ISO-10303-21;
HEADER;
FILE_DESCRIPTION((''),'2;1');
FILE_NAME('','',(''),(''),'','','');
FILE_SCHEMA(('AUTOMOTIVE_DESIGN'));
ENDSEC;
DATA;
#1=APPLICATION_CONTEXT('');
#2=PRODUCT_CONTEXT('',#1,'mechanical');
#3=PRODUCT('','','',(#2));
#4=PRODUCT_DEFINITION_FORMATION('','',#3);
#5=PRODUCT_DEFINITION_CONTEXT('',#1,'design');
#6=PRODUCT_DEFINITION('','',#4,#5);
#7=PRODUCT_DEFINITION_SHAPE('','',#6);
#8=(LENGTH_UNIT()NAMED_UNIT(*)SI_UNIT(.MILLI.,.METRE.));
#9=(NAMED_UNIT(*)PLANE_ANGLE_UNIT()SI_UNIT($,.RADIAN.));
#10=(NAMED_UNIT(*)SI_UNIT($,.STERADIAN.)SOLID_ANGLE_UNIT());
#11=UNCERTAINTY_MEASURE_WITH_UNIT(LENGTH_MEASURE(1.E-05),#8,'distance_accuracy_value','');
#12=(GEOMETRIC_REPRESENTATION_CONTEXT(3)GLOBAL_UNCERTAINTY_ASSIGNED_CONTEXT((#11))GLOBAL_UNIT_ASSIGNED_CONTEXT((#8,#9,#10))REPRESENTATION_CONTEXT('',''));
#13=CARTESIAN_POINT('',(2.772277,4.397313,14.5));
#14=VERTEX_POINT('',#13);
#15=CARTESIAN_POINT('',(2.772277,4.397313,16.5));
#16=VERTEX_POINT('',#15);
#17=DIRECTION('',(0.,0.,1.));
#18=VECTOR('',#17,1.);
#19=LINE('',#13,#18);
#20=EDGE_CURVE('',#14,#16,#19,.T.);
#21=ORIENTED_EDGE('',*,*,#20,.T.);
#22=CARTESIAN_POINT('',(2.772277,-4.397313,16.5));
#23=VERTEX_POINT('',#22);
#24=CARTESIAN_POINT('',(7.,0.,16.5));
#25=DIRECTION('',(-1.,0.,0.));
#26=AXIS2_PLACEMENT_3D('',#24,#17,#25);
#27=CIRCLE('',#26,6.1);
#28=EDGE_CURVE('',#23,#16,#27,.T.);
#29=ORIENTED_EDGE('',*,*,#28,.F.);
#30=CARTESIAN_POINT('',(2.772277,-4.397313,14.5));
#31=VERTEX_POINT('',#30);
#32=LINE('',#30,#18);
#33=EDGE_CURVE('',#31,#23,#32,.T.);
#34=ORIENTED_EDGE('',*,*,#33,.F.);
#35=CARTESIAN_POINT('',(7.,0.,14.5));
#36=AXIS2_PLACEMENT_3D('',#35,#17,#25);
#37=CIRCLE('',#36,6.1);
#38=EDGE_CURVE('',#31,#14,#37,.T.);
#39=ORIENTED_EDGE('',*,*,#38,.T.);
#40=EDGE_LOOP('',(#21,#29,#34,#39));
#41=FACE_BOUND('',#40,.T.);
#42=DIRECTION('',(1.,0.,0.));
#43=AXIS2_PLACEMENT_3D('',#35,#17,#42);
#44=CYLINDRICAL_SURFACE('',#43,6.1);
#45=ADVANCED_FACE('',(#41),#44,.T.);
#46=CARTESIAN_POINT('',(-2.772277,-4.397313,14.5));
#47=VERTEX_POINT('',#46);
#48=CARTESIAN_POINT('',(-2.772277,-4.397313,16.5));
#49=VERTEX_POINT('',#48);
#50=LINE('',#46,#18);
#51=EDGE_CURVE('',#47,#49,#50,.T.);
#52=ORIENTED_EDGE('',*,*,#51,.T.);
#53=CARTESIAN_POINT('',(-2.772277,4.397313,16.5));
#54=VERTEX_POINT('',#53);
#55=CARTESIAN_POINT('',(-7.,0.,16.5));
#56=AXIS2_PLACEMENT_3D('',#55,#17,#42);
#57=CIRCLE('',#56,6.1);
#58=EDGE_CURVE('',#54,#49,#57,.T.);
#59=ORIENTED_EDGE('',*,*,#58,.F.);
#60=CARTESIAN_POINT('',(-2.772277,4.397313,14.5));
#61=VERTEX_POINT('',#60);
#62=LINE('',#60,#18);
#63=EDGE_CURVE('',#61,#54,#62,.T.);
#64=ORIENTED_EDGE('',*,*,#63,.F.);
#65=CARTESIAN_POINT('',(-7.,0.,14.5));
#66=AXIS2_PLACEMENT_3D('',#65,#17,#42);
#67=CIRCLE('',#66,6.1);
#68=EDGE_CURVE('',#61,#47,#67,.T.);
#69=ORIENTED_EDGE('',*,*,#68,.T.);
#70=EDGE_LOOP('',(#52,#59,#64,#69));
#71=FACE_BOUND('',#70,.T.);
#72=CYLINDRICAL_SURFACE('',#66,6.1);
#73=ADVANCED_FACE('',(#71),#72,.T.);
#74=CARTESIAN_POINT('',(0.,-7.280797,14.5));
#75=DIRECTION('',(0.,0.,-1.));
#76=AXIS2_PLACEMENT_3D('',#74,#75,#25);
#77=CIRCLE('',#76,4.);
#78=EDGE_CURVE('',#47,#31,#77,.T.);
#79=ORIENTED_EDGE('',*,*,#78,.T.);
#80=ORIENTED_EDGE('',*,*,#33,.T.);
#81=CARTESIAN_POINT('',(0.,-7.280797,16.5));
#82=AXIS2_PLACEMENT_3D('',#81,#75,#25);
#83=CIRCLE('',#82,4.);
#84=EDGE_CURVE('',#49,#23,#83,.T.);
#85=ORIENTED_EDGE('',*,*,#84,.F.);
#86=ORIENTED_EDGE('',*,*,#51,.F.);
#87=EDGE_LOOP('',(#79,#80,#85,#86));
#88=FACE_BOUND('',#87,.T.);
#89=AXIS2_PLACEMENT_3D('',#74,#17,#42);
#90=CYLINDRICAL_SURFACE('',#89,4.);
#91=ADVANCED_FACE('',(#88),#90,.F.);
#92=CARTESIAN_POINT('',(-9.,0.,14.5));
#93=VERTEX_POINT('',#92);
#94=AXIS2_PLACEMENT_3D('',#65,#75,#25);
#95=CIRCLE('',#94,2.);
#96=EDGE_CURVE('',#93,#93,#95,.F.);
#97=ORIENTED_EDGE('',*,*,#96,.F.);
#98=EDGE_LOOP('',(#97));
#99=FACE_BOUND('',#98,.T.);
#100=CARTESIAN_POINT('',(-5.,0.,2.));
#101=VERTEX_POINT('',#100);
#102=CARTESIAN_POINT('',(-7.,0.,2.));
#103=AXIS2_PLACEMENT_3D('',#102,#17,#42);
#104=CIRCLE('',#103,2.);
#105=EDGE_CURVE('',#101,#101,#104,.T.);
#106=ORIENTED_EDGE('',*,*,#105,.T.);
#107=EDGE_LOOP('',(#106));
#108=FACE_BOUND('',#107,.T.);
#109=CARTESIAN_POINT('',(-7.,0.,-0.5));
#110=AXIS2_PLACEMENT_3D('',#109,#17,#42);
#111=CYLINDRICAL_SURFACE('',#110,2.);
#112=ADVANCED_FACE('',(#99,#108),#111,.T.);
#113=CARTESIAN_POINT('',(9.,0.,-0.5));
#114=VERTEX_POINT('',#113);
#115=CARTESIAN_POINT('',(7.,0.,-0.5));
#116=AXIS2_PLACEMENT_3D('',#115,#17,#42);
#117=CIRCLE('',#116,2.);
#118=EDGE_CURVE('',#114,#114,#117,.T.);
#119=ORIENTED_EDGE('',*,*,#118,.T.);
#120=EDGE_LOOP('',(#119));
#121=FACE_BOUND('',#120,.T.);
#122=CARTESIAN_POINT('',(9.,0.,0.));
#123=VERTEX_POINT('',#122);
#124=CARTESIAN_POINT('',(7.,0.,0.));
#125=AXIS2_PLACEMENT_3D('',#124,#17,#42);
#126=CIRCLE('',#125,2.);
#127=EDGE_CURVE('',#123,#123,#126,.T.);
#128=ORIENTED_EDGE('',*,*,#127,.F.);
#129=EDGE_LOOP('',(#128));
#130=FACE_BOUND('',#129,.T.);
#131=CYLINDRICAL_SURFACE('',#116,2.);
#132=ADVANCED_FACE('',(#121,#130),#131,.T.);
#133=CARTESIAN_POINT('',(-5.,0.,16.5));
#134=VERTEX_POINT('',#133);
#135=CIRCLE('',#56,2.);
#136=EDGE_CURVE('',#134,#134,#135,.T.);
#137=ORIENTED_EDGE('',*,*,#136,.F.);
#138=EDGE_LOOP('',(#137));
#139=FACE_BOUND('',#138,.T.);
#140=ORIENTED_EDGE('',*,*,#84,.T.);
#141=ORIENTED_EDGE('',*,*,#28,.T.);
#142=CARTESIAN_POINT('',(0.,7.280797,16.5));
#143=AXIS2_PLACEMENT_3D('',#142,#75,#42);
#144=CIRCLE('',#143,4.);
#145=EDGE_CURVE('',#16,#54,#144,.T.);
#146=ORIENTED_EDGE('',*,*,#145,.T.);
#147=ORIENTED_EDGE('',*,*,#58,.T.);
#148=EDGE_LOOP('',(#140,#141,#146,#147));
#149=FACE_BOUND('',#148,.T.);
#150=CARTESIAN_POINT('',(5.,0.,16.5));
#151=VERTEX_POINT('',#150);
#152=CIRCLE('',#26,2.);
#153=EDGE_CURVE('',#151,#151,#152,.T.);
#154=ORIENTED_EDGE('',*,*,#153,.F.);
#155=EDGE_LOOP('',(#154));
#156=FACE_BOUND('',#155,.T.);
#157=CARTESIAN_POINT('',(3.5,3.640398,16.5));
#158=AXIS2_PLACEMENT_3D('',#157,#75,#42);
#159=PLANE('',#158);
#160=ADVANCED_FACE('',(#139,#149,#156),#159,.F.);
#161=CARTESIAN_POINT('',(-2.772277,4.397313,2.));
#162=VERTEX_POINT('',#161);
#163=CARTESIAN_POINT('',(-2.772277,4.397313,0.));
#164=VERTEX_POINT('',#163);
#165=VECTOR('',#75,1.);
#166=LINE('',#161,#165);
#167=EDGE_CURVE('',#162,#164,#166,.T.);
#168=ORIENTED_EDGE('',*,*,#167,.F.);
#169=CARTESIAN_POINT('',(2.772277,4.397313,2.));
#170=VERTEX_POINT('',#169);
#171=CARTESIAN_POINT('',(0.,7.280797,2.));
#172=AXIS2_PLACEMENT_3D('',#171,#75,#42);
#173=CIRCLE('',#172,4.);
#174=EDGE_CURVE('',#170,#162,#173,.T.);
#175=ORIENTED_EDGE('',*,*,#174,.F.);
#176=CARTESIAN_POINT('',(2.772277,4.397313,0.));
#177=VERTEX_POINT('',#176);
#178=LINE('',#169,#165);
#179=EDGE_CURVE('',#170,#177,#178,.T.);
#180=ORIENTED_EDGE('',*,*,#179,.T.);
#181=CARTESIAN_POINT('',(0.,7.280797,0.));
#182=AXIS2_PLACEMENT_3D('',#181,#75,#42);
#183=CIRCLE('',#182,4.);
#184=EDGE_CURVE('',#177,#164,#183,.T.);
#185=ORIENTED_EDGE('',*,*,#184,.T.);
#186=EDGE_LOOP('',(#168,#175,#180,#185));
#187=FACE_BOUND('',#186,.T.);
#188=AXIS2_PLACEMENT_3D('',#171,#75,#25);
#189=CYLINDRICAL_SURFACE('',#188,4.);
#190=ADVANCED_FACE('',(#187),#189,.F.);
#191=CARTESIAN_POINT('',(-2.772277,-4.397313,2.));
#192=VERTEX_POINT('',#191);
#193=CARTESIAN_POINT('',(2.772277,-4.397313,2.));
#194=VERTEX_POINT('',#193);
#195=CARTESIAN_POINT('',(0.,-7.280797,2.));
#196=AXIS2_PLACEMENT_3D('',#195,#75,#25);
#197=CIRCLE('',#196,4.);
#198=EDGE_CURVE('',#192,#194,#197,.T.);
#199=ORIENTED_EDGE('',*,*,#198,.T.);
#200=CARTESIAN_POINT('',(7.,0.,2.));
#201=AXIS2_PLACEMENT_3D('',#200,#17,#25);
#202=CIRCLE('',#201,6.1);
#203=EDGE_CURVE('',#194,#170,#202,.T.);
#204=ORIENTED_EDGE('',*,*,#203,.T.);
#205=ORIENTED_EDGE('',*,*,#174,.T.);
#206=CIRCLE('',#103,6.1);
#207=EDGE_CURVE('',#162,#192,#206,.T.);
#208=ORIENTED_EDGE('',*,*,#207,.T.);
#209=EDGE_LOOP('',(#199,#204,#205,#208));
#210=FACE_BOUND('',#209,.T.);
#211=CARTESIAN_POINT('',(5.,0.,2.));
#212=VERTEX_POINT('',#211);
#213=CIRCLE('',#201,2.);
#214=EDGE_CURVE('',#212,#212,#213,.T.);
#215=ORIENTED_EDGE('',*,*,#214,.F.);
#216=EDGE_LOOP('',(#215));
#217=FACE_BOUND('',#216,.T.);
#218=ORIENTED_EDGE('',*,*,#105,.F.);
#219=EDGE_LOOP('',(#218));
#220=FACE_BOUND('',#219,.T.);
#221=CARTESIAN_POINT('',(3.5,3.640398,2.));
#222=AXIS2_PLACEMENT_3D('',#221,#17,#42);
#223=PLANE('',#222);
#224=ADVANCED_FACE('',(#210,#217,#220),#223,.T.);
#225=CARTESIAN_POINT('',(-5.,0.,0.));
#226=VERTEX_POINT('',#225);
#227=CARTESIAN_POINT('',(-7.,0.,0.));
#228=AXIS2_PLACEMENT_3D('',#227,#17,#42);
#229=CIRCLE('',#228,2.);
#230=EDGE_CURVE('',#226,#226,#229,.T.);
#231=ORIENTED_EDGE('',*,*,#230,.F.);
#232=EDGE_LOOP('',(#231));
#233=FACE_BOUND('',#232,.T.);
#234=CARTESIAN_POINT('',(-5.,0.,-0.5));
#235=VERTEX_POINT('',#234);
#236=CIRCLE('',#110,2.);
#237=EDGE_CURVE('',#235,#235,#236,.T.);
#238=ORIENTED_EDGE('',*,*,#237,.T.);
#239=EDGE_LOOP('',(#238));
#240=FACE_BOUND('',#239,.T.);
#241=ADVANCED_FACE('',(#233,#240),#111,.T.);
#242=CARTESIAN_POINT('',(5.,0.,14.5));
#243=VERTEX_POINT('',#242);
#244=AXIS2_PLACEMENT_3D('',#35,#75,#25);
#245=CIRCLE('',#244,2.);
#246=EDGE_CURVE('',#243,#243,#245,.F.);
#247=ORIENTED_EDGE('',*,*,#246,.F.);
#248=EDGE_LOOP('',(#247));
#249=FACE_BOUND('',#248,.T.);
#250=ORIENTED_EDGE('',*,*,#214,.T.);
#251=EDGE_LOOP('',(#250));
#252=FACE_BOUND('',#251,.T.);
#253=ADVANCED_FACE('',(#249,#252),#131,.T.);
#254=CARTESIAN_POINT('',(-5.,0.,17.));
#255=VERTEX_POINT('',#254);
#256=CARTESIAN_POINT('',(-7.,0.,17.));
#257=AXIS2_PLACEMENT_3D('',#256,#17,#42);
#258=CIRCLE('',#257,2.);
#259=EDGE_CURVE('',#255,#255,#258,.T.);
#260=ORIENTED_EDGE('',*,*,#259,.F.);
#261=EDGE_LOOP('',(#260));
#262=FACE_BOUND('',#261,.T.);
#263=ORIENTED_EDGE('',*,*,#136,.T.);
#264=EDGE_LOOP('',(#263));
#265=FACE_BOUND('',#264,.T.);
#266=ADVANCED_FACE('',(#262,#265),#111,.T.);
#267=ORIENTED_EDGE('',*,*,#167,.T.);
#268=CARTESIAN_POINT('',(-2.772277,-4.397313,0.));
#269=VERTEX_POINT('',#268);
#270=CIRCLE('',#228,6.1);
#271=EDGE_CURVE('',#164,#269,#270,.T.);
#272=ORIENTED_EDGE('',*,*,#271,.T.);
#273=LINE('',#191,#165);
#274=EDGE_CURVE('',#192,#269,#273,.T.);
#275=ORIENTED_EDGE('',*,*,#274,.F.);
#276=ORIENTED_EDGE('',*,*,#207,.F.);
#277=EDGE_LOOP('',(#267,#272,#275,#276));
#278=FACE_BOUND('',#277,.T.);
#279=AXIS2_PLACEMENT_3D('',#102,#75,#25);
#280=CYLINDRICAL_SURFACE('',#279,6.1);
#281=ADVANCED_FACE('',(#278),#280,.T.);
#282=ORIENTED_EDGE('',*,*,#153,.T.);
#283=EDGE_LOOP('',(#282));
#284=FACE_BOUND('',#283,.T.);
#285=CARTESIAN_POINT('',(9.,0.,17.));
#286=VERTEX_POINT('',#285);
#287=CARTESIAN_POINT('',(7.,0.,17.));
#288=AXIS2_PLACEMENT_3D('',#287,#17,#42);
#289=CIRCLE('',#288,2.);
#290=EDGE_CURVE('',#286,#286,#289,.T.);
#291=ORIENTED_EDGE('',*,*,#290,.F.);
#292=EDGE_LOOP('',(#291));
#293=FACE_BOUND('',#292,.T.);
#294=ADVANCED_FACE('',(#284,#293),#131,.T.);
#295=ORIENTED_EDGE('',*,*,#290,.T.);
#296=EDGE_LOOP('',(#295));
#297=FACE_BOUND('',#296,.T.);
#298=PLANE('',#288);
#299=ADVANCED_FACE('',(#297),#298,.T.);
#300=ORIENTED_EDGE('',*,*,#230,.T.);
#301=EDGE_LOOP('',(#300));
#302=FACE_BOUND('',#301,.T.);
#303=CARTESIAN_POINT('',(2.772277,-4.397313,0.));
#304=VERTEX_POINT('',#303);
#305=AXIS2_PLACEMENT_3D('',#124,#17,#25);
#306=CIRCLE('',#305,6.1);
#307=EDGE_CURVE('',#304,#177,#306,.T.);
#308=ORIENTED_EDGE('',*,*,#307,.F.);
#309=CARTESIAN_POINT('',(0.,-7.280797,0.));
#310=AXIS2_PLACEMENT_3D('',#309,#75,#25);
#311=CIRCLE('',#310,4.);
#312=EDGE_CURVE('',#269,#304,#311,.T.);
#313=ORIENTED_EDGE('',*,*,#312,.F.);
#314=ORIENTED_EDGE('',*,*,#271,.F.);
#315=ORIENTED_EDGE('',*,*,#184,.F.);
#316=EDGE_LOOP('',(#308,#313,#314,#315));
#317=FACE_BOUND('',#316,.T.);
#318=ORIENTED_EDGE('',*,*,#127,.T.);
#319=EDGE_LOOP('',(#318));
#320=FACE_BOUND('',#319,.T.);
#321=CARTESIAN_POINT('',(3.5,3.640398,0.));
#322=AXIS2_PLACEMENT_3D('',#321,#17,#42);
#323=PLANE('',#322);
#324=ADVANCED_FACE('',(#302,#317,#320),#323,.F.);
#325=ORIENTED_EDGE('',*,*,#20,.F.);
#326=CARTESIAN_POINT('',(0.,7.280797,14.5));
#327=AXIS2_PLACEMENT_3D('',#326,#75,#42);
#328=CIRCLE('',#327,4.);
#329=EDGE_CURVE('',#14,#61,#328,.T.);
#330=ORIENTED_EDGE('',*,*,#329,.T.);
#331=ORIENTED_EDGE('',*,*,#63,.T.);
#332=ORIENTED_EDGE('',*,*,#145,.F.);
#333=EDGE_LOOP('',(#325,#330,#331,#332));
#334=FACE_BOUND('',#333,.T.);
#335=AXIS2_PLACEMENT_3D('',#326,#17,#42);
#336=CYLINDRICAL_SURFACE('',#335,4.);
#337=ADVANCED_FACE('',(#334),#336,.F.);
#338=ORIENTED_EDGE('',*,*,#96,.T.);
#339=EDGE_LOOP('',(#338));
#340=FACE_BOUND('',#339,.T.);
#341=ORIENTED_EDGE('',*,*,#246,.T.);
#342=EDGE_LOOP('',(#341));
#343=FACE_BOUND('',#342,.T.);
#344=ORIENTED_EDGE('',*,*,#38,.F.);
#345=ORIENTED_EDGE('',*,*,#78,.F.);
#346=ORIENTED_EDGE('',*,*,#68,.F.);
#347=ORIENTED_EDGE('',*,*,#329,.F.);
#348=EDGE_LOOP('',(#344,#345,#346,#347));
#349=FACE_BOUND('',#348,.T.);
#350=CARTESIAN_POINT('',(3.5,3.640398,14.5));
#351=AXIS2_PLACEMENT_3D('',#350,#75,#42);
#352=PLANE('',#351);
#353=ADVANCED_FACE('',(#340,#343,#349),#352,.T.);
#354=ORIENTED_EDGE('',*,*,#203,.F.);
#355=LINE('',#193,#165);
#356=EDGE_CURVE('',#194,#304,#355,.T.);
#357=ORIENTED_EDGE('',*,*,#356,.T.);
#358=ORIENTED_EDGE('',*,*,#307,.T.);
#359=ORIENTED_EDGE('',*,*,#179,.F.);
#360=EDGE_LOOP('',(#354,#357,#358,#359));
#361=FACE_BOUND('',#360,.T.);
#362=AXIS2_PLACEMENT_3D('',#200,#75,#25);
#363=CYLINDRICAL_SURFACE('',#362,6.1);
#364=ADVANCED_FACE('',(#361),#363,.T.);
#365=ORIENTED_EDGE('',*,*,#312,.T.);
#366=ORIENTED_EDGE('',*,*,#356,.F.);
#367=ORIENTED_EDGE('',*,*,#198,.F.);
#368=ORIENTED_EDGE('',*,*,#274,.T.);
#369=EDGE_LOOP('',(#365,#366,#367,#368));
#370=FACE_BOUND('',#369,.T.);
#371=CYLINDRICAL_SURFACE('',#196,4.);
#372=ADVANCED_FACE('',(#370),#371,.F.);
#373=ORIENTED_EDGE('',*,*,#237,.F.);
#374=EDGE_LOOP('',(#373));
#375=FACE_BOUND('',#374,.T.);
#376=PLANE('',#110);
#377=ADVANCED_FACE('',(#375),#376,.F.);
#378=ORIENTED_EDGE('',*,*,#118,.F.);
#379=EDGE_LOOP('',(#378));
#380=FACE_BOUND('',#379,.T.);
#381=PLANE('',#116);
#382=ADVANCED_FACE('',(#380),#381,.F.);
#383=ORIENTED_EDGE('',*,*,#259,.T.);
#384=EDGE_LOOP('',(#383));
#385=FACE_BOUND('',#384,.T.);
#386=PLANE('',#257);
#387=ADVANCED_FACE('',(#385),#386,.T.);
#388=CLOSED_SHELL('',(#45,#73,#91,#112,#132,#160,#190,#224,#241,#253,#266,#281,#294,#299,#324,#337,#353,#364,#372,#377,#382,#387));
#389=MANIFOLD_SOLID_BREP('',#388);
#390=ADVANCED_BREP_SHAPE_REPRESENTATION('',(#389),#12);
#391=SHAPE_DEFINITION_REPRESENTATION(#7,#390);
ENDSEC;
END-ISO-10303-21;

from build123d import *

# Parameters (mm, degrees)
CROQUIS1_R                   = 2
SALIENTE_EXTRUIR1_DEPTH      = 2
SALIENTE_EXTRUIR2_DEPTH      = 15
SALIENTE_EXTRUIR2_DEPTH_BACK = 2.5
CROQUIS3_R                   = 2


with BuildPart() as part:
    # Croquis1 → Saliente-Extruir1 (new body)
    with BuildSketch(Plane.XY):
        with BuildLine():
            ThreePointArc((-2.772277228, 4.397312834), (-13.1, 0), (-2.772277228, -4.397312834))
            ThreePointArc((-2.772277228, -4.397312834), (0, -3.28079666), (2.772277228, -4.397312834))
            ThreePointArc((2.772277228, -4.397312834), (13.1, 0), (2.772277228, 4.397312834))
            ThreePointArc((2.772277228, 4.397312834), (0, 3.28079666), (-2.772277228, 4.397312834))
        make_face()
        with Locations((-7, 0)):
            Circle(CROQUIS1_R, mode=Mode.SUBTRACT)
        with Locations(Location((7, 0, 0), (0, 0, 180))):
            Circle(CROQUIS1_R, mode=Mode.SUBTRACT)
    saliente_extruir1 = extrude(amount=SALIENTE_EXTRUIR1_DEPTH)

    # Croquis3 → Saliente-Extruir2 (add, two sides: drawn at the far end of the back side and taken through both)
    with BuildSketch(Plane.XY.offset(2).offset(-SALIENTE_EXTRUIR2_DEPTH_BACK)):
        with Locations((-7, 0)):
            Circle(CROQUIS3_R)
        with Locations((7, 0)):
            Circle(CROQUIS3_R)
    extrude(amount=SALIENTE_EXTRUIR2_DEPTH + SALIENTE_EXTRUIR2_DEPTH_BACK)

    # Simetría1: Saliente-Extruir1 across plane
    add(saliente_extruir1.mirror(Plane.XY.offset(8.25)))


solid = part.part
